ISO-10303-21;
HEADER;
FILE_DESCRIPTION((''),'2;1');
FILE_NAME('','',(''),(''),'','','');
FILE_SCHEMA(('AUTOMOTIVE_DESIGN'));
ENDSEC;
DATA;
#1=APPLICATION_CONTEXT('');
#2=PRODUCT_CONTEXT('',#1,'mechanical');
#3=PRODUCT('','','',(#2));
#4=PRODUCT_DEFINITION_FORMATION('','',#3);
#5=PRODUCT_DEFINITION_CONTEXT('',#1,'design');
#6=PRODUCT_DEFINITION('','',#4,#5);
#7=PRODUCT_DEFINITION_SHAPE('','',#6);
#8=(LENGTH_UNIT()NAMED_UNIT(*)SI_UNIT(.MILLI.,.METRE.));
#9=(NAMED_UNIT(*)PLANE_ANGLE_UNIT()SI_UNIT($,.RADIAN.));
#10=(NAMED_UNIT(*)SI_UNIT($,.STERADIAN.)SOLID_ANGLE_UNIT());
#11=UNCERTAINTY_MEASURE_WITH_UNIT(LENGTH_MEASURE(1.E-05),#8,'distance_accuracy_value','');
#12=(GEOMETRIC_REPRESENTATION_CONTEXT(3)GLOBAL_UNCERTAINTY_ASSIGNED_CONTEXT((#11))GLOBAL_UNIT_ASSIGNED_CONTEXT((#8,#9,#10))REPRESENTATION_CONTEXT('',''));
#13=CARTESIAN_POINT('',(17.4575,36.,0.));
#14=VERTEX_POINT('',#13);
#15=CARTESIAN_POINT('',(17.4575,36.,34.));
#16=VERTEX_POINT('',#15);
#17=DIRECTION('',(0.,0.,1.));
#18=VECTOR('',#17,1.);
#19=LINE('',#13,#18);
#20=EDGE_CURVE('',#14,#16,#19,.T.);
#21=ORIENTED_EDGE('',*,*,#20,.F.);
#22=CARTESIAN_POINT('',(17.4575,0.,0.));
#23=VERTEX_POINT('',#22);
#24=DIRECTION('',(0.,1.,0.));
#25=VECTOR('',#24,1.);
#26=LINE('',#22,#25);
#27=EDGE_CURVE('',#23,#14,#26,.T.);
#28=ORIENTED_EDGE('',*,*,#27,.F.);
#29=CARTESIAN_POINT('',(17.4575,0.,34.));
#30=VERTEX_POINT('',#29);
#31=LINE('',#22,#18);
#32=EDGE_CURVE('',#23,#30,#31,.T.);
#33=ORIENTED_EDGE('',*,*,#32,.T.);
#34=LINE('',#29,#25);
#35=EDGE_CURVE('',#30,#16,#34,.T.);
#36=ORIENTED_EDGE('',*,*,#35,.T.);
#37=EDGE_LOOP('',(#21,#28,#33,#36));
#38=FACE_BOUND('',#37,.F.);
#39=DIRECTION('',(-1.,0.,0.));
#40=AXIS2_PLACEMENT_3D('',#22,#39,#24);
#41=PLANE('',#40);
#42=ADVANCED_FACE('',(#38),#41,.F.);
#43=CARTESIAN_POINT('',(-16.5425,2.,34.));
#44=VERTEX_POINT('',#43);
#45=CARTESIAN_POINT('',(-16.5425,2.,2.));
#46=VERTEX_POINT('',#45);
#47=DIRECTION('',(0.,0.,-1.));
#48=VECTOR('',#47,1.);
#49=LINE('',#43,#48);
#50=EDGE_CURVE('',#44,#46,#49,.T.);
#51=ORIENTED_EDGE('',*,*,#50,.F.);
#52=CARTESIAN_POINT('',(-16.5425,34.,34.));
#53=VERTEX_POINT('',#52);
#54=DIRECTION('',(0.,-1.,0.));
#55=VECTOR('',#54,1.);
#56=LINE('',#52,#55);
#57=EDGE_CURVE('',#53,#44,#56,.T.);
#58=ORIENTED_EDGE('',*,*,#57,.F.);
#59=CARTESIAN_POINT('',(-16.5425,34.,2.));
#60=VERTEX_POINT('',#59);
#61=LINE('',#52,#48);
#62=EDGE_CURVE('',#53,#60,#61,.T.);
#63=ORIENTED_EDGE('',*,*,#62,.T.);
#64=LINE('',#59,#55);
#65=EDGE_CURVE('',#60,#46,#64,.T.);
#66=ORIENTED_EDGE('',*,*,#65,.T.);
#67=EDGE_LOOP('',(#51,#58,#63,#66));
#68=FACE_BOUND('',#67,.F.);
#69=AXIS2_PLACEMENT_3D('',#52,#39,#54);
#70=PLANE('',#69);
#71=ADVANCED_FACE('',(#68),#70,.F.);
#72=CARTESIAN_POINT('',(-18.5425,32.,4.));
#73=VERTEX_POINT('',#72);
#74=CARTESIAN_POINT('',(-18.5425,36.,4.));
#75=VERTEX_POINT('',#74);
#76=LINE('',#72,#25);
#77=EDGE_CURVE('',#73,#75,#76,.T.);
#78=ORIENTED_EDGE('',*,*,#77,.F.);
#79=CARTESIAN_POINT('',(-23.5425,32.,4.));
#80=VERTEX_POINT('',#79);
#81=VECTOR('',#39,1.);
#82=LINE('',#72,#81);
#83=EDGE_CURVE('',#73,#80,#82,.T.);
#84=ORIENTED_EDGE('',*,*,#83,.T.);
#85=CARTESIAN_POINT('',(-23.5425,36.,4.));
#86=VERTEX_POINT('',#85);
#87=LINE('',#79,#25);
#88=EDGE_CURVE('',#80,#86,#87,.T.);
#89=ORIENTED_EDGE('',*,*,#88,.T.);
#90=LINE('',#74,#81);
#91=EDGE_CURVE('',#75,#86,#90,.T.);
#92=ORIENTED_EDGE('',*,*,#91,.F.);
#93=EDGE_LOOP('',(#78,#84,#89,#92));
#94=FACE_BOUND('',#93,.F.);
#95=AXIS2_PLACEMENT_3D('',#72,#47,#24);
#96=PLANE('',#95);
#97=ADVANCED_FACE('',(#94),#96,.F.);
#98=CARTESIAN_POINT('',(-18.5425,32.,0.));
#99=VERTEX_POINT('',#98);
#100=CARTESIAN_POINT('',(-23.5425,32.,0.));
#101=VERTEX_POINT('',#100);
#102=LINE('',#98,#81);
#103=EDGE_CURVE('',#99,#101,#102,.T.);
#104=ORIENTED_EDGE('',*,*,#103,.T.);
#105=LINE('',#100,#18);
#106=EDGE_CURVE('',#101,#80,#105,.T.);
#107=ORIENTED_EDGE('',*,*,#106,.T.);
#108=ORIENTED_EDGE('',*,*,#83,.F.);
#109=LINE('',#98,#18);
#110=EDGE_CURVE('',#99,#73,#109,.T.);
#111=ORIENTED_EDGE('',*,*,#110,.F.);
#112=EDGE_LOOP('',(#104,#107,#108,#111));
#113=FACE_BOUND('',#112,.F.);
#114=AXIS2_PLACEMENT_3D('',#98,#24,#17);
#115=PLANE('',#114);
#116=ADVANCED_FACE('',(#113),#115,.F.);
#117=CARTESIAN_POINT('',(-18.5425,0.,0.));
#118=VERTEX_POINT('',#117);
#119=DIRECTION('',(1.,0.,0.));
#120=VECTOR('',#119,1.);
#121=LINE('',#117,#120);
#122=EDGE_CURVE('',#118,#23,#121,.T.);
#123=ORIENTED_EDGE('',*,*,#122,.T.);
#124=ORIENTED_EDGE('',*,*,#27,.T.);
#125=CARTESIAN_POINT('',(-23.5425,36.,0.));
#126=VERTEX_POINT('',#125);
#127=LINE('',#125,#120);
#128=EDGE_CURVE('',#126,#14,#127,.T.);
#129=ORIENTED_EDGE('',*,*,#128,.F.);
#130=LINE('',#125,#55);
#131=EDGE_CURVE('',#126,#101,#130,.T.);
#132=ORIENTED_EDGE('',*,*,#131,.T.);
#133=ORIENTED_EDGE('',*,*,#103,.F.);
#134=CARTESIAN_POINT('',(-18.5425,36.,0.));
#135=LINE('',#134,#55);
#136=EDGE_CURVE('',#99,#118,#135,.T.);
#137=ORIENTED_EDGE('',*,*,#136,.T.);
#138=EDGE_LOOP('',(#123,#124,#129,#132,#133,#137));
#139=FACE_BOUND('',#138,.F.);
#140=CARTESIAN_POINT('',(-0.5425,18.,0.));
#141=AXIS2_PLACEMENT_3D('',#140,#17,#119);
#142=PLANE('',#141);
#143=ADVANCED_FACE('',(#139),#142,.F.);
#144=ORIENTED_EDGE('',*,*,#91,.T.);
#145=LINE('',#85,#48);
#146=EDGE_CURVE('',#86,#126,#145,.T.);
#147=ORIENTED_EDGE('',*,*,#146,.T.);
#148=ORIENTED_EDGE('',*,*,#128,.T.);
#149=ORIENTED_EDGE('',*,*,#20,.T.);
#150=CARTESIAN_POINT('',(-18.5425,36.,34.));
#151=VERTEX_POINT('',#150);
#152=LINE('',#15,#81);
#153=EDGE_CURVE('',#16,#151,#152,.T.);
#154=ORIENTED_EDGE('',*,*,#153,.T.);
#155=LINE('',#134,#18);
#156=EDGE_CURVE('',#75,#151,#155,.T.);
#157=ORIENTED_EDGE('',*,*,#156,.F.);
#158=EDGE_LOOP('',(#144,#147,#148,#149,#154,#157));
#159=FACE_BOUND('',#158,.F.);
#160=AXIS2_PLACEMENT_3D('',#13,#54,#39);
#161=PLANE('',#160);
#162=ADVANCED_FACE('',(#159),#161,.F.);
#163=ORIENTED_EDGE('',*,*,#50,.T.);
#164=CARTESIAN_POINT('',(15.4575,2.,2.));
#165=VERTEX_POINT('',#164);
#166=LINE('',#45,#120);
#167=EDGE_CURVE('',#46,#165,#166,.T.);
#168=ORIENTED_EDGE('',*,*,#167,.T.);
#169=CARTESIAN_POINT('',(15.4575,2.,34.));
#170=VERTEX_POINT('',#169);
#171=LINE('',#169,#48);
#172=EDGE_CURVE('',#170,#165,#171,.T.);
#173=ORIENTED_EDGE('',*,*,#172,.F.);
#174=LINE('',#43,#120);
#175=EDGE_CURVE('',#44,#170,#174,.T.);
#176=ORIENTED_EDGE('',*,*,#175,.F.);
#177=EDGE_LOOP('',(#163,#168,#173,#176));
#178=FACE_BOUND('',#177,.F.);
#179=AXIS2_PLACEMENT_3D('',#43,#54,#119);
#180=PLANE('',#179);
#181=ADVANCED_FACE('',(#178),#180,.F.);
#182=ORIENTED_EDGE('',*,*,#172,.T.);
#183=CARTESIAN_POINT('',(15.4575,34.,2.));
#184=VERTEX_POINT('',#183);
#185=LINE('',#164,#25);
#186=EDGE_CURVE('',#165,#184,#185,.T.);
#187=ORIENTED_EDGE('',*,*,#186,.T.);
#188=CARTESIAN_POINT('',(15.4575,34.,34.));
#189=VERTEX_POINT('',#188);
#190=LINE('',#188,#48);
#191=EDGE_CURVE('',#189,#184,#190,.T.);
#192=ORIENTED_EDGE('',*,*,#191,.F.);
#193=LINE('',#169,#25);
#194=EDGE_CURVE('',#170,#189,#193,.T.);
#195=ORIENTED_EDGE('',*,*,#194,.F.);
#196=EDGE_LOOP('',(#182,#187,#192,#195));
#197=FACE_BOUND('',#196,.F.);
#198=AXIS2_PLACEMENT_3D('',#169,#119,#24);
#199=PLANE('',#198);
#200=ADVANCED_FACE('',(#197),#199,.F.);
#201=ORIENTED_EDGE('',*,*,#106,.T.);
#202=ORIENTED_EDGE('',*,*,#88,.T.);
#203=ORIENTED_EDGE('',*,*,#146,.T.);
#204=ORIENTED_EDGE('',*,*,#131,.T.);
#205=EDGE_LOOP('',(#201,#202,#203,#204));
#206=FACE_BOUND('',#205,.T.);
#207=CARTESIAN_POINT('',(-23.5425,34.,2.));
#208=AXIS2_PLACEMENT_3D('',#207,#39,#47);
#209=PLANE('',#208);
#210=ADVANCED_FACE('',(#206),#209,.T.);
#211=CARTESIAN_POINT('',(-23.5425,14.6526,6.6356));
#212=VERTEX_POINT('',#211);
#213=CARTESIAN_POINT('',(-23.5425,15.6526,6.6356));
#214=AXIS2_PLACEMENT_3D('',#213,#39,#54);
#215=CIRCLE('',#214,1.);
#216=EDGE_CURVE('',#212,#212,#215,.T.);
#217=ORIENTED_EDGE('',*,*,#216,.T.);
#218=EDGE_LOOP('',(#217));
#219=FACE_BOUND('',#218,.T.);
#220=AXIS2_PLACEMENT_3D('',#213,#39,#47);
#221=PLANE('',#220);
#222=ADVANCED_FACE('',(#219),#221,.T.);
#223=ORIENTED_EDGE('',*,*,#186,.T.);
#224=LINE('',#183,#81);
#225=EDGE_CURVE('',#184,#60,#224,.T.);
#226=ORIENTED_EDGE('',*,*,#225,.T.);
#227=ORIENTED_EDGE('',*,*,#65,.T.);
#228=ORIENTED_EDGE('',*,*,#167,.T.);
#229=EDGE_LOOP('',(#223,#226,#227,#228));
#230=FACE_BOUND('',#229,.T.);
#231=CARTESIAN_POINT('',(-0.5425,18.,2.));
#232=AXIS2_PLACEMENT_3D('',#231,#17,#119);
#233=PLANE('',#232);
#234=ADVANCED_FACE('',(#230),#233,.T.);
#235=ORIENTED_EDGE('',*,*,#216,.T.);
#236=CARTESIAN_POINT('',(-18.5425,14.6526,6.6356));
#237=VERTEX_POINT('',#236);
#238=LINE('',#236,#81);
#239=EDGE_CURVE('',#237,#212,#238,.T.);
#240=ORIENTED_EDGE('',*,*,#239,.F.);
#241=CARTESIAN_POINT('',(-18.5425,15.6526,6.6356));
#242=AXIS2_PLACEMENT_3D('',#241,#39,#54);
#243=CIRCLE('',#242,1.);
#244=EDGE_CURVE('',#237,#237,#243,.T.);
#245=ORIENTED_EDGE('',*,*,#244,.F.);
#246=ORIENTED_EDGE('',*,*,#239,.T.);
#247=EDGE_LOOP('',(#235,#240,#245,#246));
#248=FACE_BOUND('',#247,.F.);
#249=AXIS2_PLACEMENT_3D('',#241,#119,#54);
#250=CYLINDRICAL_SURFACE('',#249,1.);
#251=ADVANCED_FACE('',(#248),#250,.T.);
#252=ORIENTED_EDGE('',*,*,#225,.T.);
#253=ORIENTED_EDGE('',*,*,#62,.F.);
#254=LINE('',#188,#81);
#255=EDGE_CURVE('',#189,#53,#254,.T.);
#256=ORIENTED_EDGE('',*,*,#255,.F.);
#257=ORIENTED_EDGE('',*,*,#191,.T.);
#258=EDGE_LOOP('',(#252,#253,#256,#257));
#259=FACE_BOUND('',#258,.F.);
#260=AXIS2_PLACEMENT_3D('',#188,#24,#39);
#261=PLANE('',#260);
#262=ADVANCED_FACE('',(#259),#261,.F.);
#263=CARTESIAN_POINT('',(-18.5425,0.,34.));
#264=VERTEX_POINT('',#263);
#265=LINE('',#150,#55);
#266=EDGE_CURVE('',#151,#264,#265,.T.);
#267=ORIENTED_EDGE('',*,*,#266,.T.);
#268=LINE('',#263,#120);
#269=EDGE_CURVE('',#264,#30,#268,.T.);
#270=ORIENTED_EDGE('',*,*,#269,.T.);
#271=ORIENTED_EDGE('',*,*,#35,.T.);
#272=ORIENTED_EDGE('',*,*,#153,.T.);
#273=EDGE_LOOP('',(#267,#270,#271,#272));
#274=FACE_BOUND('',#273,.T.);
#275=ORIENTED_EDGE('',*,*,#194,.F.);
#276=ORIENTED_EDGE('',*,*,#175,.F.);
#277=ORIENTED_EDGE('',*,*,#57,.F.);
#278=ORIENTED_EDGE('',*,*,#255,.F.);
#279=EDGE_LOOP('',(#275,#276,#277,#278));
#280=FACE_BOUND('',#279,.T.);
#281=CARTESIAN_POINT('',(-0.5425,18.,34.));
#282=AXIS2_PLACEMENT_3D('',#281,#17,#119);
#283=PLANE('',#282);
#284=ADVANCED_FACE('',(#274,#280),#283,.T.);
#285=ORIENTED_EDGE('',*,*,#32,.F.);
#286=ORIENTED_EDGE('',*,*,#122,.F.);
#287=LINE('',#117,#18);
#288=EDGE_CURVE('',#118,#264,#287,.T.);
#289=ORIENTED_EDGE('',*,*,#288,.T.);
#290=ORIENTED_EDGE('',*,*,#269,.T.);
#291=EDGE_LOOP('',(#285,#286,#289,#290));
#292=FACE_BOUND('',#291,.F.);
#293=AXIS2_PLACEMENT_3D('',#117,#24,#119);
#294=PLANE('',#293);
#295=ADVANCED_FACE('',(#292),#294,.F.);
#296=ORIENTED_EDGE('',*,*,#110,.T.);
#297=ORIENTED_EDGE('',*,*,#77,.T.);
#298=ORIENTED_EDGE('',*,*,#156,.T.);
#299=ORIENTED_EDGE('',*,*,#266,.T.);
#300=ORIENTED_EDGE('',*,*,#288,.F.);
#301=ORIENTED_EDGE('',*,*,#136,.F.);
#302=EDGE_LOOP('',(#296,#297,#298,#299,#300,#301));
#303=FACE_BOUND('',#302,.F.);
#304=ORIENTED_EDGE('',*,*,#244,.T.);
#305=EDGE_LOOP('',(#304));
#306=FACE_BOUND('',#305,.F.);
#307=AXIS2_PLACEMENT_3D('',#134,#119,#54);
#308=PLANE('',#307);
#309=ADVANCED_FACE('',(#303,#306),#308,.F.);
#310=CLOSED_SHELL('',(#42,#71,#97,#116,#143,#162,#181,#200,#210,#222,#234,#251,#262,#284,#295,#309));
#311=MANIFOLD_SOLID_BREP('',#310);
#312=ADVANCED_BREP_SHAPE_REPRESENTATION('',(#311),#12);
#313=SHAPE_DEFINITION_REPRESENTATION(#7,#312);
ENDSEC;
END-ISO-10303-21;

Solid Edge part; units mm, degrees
sketch "Sketch1" plane through (0, 0, 0) normal (0, 0, 1) x (1, 0, 0)
  line L0 (-18.5425, 0) -> (17.4575, 0)
  line L1 (17.4575, 0) -> (17.4575, 36)
  line L2 (17.4575, 36) -> (-18.5425, 36)
  line L3 (-18.5425, 36) -> (-18.5425, 0)
extrude "Protrusion1" add sketch "Sketch1" along normal blind 34
sketch "Sketch2" plane through (-0.5425, 18, 34) normal (0, 0, 1) x (1, 0, 0)
  line L0 (-16, -16) -> (16, -16)
  line L1 (16, -16) -> (16, 16)
  line L2 (16, 16) -> (-16, 16)
  line L3 (-16, 16) -> (-16, -16)
extrude "ExtrudedCutout_1" cut sketch "Sketch2" against normal blind 32
sketch "Sketch3" plane through (-18.5425, 18, 17) normal (-1, 0, 0) x (0, -1, 0)
  line L0 (-18, -17) -> (-14, -17)
  line L1 (-14, -17) -> (-14, -13)
  line L2 (-14, -13) -> (-18, -13)
  line L3 (-18, -13) -> (-18, -17)
extrude "ExtrudedProtrusion_2" add sketch "Sketch3" along normal blind 5
sketch "Sketch4" plane through (-18.5425, 18, 17) normal (-1, 0, 0) x (0, -1, 0)
  circle A0 centre (2.3474, -10.3644) radius 1
extrude "ExtrudedProtrusion_3" add sketch "Sketch4" along normal blind 5
